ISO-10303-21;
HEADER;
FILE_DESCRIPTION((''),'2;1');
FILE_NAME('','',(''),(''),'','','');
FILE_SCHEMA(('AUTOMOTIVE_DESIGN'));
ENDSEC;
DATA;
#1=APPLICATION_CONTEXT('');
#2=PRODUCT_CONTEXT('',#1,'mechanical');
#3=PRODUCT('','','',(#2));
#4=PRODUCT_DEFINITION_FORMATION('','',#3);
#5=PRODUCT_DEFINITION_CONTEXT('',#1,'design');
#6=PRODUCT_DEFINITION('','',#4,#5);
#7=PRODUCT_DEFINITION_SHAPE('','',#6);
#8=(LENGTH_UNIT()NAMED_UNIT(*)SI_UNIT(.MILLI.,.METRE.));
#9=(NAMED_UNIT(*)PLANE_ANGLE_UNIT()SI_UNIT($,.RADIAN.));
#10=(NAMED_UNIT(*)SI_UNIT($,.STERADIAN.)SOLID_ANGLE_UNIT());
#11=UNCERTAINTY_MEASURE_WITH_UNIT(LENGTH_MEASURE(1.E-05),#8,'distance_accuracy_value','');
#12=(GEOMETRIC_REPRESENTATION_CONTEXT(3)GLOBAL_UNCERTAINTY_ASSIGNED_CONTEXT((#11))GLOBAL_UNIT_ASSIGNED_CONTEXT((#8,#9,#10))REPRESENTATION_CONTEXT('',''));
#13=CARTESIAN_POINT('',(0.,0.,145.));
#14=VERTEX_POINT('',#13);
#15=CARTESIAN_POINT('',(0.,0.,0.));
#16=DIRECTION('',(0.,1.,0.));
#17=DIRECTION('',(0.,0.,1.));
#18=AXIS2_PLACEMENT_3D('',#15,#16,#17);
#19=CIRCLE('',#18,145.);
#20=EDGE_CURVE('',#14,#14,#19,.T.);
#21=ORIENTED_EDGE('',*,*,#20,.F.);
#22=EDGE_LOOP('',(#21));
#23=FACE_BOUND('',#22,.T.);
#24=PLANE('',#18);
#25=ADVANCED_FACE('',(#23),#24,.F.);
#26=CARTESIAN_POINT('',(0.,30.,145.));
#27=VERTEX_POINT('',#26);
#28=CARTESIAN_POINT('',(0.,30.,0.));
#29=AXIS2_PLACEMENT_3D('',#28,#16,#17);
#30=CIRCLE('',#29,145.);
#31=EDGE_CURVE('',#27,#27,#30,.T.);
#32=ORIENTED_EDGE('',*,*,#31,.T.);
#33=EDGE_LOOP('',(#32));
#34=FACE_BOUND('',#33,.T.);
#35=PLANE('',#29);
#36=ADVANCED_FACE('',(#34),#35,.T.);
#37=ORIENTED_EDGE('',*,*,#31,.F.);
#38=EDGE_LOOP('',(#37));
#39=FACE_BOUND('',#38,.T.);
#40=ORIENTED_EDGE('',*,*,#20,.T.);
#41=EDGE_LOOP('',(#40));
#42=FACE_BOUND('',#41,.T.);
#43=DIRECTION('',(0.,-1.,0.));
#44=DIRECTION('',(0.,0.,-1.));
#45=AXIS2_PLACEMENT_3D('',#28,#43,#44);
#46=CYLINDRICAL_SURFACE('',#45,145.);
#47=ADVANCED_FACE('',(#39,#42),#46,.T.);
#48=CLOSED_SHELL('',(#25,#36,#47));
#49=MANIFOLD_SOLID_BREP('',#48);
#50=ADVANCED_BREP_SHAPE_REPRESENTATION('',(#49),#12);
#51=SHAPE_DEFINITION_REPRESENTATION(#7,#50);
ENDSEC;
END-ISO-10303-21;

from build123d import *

# Parameters (mm, degrees)
SKETCH_1_R      = 145
EXTRUDE_1_DEPTH = 30


with BuildPart() as part:
    # 草图1 → 凸台-拉伸1 (new body)
    with BuildSketch(Plane(origin=(0, 0, 0), x_dir=(1, 0, 0), z_dir=(0, 1, 0))):
        with Locations(Location((0, 0, 0), (0, 0, 270))):
            Circle(SKETCH_1_R)
    extrude(amount=EXTRUDE_1_DEPTH)


solid = part.part
